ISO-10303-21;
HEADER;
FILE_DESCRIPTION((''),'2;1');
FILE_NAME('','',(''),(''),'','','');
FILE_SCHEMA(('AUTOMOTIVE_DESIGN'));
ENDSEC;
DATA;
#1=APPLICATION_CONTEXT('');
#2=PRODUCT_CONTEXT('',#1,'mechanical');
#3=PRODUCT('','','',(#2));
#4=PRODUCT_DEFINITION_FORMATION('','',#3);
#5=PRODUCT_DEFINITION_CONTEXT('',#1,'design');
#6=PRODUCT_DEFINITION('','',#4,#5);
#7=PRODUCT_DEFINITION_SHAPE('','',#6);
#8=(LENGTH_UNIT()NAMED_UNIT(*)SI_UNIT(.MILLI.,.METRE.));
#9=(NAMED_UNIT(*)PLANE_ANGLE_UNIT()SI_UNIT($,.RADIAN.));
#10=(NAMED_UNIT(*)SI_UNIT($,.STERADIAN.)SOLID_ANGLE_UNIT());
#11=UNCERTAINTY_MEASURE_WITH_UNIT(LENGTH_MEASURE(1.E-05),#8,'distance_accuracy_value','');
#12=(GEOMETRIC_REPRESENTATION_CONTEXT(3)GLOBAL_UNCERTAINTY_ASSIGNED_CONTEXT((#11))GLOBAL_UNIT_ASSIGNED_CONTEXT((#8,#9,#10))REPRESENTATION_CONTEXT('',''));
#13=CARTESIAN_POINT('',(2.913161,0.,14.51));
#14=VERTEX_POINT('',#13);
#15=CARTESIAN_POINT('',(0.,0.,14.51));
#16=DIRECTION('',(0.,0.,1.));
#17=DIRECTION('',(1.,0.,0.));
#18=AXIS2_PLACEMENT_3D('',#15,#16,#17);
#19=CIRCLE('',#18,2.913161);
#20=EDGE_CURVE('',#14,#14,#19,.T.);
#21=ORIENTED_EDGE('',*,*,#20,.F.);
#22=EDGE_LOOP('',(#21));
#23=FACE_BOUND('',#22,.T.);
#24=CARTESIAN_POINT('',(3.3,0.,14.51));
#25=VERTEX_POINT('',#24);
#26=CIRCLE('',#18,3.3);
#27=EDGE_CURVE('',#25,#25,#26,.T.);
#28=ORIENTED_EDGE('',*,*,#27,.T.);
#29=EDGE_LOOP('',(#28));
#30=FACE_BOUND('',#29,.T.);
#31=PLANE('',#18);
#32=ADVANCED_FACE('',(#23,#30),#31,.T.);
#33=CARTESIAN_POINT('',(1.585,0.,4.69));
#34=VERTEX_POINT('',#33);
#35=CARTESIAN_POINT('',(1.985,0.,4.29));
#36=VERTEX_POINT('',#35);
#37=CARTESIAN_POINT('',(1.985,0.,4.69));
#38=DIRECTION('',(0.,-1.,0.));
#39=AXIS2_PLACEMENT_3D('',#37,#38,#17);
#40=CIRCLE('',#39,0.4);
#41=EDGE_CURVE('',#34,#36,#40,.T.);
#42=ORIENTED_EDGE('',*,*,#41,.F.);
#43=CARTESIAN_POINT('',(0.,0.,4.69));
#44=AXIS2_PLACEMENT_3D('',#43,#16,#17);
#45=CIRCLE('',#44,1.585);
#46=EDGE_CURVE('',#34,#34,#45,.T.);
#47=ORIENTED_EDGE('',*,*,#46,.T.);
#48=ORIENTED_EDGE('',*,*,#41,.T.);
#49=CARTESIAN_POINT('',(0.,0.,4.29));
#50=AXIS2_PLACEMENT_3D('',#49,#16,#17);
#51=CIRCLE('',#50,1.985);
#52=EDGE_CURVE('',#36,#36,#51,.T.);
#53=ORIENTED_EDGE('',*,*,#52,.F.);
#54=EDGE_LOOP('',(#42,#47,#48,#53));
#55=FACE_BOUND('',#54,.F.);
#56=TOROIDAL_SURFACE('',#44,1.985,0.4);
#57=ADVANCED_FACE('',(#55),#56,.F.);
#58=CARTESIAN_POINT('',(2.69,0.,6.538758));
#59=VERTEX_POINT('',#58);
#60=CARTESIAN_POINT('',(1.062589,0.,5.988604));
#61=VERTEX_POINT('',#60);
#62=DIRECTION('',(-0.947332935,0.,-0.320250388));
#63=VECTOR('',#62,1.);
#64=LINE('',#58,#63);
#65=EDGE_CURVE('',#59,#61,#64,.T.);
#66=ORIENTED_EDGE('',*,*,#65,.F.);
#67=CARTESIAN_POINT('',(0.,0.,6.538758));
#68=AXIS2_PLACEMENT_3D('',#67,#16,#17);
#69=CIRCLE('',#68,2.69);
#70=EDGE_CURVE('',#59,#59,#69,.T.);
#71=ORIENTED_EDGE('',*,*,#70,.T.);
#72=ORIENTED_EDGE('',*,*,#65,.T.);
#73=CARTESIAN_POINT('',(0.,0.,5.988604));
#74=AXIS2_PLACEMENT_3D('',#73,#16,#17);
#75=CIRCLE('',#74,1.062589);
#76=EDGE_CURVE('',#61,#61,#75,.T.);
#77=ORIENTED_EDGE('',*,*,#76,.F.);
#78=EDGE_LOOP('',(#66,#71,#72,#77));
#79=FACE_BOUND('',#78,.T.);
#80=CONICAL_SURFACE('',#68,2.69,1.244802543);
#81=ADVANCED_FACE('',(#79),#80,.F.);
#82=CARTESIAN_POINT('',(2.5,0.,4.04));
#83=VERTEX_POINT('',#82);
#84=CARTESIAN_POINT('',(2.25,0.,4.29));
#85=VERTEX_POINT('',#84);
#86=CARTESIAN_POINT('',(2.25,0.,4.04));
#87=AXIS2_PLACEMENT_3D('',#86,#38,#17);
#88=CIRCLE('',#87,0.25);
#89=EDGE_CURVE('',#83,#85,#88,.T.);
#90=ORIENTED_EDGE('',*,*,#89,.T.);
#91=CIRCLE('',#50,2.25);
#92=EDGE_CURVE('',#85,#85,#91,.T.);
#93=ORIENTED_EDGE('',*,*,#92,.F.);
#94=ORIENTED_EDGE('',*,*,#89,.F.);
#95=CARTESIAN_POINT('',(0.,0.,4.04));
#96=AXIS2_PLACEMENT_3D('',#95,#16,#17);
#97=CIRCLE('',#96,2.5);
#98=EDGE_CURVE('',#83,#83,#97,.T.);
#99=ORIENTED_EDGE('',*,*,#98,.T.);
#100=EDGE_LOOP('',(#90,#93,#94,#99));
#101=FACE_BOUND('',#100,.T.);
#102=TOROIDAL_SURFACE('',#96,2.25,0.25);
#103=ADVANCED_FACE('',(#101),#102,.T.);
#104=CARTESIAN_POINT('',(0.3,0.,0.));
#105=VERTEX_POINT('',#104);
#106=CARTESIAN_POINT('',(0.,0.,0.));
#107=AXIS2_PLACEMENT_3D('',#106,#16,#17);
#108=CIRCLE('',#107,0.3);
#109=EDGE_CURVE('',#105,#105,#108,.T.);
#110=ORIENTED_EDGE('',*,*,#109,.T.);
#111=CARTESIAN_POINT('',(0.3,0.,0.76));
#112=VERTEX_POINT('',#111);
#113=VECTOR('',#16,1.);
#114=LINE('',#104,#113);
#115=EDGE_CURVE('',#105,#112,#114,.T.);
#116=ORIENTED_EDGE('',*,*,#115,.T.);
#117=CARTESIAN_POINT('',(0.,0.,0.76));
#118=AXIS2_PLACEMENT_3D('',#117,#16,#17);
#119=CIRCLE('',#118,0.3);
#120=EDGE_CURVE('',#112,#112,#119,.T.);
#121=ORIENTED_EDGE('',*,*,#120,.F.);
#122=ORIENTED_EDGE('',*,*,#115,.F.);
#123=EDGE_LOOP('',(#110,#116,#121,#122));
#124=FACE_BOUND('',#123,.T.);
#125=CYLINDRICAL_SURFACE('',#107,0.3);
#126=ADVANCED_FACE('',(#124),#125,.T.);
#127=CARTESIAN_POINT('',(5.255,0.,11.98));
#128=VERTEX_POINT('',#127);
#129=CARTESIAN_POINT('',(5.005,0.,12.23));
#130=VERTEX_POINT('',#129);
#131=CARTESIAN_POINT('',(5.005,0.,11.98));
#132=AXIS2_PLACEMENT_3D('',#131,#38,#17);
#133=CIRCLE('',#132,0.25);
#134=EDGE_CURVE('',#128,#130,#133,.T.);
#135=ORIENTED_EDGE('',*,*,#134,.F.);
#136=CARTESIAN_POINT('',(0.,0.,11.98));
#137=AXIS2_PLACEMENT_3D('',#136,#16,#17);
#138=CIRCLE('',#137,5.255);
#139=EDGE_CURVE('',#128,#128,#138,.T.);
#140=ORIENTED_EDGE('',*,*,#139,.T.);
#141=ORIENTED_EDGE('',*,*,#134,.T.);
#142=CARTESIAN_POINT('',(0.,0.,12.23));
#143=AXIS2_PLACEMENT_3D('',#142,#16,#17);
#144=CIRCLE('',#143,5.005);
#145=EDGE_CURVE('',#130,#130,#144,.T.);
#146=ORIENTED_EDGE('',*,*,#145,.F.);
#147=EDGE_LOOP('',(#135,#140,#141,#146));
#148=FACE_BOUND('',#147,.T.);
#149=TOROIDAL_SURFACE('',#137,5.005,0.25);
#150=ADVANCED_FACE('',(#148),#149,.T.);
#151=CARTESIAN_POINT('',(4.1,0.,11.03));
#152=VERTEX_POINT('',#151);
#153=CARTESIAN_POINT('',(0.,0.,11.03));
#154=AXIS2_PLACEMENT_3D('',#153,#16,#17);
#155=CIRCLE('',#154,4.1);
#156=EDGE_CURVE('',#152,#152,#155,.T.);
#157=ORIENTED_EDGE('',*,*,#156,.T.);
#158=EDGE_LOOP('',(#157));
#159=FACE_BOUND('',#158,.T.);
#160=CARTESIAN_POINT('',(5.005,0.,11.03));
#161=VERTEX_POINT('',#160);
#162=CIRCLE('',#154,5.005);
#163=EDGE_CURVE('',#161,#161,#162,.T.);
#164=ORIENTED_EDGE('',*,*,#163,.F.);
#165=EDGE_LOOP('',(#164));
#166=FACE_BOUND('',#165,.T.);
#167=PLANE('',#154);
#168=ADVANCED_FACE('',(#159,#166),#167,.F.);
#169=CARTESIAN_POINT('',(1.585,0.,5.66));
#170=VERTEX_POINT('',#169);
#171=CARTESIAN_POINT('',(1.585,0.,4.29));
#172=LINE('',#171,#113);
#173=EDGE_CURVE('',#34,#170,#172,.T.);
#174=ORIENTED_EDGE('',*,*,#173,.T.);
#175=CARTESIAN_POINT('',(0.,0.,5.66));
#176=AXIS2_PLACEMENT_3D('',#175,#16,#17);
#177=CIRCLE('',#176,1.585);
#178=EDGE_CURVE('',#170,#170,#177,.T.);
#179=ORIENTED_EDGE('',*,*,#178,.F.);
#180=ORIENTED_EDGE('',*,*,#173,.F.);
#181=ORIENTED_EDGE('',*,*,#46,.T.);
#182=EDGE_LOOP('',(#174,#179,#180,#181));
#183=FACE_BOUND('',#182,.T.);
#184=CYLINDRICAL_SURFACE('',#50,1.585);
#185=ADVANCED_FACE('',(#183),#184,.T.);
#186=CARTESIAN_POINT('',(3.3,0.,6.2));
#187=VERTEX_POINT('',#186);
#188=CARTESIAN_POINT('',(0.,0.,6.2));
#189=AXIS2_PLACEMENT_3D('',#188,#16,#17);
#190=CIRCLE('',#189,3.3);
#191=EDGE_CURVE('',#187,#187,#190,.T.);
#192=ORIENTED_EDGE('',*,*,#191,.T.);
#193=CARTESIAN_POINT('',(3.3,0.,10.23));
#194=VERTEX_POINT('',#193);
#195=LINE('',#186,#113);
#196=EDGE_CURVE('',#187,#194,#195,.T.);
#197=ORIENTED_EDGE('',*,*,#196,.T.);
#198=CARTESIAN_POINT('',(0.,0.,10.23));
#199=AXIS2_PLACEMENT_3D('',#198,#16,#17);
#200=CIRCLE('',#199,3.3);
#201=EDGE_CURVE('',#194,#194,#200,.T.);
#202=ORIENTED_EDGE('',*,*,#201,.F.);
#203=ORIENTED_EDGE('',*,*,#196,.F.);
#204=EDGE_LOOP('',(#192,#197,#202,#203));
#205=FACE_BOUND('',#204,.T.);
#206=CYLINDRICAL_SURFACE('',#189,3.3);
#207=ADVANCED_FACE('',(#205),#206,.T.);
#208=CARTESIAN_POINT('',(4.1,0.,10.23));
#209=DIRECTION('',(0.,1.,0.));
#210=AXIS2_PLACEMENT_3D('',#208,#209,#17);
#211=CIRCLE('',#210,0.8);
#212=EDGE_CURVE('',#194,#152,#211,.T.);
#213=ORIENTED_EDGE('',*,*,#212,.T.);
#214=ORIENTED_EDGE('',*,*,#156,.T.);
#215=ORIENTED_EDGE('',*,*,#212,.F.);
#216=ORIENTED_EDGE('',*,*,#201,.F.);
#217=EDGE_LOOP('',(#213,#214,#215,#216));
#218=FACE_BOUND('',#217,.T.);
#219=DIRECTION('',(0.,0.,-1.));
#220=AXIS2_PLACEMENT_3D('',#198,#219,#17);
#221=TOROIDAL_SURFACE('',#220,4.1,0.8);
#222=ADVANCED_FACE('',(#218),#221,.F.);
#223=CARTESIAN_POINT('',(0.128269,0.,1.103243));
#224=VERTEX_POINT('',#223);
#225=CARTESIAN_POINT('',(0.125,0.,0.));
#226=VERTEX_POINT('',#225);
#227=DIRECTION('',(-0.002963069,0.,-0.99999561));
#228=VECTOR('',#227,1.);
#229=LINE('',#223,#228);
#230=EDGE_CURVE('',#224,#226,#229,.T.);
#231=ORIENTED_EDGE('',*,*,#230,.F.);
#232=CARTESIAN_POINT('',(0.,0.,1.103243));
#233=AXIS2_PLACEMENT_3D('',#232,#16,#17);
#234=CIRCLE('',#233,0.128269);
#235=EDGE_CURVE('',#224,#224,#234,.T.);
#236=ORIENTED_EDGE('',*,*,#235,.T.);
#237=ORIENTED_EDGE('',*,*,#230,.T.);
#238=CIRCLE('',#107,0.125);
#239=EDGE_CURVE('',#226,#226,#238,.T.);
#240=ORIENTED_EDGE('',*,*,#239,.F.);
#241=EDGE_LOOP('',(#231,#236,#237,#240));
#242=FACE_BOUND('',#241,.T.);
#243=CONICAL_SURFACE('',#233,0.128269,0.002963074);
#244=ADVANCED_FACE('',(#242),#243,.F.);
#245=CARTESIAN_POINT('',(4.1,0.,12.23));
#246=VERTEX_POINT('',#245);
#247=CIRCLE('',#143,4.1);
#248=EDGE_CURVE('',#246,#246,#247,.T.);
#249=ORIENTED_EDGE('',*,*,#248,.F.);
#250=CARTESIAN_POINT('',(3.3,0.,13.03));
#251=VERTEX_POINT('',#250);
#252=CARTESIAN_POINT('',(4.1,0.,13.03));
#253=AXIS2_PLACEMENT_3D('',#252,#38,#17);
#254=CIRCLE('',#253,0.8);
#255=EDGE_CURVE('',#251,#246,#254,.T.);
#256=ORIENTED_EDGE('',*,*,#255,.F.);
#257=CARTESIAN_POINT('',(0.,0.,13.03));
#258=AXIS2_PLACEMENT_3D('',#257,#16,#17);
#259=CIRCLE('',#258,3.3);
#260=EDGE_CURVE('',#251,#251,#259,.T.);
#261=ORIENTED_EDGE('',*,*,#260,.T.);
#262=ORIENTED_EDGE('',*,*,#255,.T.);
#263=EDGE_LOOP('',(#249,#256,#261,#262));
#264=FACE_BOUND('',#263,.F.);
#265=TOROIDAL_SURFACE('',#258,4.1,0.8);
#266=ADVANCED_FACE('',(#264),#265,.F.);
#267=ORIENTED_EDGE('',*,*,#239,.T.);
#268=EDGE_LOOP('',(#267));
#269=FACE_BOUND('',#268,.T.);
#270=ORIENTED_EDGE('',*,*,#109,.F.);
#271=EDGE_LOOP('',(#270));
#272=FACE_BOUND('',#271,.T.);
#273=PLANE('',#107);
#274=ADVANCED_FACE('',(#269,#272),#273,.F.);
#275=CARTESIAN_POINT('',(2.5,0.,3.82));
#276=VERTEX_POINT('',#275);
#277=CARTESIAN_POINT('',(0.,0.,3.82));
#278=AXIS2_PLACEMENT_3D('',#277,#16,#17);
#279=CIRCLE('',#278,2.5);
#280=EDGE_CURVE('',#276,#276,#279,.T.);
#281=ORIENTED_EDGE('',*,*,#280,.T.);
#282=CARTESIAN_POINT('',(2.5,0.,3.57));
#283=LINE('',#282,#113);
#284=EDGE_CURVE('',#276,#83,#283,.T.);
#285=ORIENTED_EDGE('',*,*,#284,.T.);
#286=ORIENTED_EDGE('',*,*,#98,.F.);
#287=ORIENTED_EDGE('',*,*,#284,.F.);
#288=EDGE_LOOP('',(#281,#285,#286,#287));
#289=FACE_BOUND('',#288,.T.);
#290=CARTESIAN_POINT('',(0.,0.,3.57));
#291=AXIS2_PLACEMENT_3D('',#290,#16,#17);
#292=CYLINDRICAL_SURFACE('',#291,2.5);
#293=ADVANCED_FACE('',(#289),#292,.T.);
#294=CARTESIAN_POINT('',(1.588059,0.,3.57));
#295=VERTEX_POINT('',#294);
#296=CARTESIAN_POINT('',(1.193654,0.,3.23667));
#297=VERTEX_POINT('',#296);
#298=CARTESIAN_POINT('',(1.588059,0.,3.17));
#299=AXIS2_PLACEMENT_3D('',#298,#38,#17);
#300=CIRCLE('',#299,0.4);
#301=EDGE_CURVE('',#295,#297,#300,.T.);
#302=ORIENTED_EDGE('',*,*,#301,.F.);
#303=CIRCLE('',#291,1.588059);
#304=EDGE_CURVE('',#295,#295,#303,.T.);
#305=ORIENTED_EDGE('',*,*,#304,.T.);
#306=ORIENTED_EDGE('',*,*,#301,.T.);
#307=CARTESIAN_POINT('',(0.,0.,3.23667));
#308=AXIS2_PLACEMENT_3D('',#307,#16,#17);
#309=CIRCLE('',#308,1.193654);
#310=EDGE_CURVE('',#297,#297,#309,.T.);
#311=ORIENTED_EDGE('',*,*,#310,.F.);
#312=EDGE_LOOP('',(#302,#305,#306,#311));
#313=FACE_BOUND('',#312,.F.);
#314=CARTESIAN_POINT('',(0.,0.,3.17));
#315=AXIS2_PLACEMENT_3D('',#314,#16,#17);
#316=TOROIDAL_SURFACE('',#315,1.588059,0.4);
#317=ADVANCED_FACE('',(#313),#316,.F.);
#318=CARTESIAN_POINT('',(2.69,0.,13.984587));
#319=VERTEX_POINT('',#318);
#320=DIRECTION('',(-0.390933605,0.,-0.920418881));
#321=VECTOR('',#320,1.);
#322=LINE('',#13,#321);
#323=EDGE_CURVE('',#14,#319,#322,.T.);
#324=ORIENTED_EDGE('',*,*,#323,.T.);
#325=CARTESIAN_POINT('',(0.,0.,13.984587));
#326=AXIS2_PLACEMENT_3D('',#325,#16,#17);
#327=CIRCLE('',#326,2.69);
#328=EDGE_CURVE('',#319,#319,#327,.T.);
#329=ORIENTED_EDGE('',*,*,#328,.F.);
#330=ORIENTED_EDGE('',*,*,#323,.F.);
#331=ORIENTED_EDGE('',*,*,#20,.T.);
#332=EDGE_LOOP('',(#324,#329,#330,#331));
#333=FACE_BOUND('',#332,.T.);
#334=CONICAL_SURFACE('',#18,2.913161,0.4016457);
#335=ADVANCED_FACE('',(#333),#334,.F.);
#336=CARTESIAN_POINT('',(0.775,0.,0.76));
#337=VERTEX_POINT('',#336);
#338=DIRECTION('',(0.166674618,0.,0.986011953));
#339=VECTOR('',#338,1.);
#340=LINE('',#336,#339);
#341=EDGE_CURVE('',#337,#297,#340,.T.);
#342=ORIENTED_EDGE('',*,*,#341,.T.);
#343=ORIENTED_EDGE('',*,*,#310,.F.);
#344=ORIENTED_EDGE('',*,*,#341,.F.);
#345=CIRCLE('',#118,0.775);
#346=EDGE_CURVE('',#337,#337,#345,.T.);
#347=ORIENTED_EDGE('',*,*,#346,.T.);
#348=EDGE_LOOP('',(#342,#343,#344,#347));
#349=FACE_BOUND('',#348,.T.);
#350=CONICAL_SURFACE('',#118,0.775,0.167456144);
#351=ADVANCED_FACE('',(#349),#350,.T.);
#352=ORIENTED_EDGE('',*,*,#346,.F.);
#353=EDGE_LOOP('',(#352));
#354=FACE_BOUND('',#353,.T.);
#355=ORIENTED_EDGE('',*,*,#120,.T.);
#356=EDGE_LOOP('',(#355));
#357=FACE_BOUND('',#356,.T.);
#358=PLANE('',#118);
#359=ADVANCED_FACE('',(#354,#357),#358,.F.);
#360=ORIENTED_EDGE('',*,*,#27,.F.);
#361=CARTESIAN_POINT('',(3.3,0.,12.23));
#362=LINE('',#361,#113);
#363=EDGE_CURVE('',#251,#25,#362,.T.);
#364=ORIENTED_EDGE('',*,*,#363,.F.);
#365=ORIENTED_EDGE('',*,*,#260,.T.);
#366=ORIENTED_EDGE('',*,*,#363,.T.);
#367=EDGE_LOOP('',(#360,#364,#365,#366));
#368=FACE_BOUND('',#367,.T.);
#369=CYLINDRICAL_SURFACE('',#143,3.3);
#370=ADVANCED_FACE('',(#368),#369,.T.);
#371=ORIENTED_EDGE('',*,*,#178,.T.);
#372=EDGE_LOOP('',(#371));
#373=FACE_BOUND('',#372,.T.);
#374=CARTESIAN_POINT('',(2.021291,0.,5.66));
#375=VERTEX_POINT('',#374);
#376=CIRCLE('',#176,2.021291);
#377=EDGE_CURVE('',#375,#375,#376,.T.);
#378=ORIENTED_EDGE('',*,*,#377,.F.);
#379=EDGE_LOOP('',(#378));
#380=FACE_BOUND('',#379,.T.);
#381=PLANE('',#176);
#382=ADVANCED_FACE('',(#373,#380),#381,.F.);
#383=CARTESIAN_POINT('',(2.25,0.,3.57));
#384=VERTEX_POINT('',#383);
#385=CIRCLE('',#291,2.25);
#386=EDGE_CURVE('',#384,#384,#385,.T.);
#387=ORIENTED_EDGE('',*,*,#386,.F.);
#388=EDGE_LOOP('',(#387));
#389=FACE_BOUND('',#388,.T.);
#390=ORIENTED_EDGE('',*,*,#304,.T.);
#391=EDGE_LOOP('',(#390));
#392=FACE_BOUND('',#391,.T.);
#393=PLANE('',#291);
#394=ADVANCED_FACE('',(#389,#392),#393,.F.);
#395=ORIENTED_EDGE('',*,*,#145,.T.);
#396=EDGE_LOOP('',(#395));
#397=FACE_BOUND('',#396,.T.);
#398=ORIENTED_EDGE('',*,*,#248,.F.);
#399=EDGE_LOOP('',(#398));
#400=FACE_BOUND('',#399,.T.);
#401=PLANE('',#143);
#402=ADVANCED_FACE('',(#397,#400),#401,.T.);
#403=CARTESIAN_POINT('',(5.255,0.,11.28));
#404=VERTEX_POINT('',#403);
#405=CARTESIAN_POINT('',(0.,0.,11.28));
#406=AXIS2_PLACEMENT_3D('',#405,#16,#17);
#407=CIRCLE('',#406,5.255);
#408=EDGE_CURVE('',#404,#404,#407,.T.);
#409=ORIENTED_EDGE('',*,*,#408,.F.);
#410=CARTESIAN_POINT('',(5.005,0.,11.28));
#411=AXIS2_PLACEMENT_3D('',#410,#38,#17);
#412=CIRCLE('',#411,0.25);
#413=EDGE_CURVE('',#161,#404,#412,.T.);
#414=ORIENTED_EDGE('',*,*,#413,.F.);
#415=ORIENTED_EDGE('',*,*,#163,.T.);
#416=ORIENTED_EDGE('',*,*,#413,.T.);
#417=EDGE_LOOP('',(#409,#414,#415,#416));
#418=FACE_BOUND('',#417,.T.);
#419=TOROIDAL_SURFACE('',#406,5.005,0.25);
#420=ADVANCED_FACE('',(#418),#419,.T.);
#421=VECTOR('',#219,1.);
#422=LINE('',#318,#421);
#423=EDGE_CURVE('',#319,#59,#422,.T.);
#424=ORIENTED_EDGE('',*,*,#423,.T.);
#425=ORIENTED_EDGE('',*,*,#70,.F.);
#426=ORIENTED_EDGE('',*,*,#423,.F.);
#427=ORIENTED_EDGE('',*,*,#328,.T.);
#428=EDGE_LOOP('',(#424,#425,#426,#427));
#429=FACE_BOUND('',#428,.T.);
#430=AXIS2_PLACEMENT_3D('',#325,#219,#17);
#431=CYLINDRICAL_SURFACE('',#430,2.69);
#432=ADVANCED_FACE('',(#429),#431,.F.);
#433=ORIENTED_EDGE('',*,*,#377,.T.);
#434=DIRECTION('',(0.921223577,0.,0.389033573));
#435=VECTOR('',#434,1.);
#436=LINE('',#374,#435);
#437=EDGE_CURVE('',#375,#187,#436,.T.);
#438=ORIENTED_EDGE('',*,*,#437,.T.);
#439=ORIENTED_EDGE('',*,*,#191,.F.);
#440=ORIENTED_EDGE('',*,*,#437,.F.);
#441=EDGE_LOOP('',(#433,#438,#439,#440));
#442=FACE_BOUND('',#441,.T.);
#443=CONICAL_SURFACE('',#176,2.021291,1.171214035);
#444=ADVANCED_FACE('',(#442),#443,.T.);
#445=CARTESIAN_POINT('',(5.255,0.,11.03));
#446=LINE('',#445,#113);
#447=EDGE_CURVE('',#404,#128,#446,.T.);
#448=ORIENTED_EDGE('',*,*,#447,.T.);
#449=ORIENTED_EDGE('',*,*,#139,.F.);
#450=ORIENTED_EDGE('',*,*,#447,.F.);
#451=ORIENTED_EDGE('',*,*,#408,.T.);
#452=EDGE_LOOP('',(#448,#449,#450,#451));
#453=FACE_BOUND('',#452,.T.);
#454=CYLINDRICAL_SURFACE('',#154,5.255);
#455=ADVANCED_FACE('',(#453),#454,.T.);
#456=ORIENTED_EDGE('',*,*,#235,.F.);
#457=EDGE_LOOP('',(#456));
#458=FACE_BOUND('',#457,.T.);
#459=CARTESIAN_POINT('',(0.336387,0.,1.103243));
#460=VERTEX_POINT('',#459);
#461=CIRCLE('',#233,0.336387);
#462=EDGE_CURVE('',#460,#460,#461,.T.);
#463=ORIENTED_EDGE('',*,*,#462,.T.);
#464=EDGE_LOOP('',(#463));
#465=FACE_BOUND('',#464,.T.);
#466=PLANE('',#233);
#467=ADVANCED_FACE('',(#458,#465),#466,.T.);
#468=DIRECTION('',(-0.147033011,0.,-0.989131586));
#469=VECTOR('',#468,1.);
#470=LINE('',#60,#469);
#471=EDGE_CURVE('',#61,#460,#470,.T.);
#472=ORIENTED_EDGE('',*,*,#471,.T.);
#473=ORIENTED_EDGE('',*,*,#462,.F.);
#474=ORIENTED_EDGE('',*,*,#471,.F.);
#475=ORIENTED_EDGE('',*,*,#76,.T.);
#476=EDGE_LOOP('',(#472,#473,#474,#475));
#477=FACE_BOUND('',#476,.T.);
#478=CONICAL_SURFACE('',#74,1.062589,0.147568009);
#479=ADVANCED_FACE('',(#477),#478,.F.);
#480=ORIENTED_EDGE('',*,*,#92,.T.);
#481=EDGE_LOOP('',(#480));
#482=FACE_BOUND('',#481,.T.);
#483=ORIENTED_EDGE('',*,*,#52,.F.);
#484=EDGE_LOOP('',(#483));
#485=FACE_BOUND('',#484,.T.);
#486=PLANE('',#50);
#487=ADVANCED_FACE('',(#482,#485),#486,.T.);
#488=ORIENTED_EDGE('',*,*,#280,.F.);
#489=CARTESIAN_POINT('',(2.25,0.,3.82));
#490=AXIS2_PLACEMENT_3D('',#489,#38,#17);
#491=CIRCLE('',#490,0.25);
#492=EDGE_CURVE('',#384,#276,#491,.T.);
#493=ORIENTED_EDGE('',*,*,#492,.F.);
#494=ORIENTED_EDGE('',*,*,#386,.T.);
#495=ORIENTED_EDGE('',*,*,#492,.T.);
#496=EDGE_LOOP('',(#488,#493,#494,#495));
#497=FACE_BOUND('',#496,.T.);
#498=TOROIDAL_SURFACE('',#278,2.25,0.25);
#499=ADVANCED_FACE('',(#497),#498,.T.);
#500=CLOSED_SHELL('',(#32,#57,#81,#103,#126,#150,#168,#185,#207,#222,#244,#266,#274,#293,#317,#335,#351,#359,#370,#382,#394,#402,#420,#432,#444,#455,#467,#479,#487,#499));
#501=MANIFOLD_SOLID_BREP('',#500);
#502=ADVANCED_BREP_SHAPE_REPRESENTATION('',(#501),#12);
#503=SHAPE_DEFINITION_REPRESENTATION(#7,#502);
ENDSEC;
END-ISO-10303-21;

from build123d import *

# Parameters (mm, degrees)
F2_R = 0.25
F3_R = 0.8
F4_R = 0.4


with BuildPart() as f1:
    # F0 (on Front) → F1 (revolve)
    with BuildSketch(Plane.XZ):
        Polygon((0.128269, 1.103243), (0.125, 0), (0.3, 0), (0.3, 0.76), (0.775, 0.76), (1.25, 3.57), (2.5, 3.57), (2.5, 4.29), (1.585, 4.29), (1.585, 5.66), (2.021291, 5.66), (3.3, 6.2), (3.3, 11.03), (5.255, 11.03), (5.255, 12.23), (3.3, 12.23), (3.3, 14.51), (2.913161, 14.51), (2.69, 13.984587), (2.69, 6.538758), (1.062589, 5.988604), (0.336387, 1.103243), align=None)
    revolve(axis=Axis((0, 0, 0.617946), (0, 0, 1)))

    # F2
    f2_edges = [f1.edges().sort_by_distance(p)[0] for p in [
        (-5.255, 0, 12.23),
        (-5.255, 0, 11.03),
        (-2.5, 0, 4.29),
        (-2.5, 0, 3.57),
    ]]
    fillet(f2_edges, radius=F2_R)

    # F3
    f3_edges = [f1.edges().sort_by_distance(p)[0] for p in [
        (-3.3, 0, 12.23),
        (-3.3, 0, 11.03),
    ]]
    fillet(f3_edges, radius=F3_R)

    # F4
    f4_edges = [f1.edges().sort_by_distance(p)[0] for p in [
        (-1.585, 0, 4.29),
        (-1.25, 0, 3.57),
    ]]
    fillet(f4_edges, radius=F4_R)


solid = f1.part
